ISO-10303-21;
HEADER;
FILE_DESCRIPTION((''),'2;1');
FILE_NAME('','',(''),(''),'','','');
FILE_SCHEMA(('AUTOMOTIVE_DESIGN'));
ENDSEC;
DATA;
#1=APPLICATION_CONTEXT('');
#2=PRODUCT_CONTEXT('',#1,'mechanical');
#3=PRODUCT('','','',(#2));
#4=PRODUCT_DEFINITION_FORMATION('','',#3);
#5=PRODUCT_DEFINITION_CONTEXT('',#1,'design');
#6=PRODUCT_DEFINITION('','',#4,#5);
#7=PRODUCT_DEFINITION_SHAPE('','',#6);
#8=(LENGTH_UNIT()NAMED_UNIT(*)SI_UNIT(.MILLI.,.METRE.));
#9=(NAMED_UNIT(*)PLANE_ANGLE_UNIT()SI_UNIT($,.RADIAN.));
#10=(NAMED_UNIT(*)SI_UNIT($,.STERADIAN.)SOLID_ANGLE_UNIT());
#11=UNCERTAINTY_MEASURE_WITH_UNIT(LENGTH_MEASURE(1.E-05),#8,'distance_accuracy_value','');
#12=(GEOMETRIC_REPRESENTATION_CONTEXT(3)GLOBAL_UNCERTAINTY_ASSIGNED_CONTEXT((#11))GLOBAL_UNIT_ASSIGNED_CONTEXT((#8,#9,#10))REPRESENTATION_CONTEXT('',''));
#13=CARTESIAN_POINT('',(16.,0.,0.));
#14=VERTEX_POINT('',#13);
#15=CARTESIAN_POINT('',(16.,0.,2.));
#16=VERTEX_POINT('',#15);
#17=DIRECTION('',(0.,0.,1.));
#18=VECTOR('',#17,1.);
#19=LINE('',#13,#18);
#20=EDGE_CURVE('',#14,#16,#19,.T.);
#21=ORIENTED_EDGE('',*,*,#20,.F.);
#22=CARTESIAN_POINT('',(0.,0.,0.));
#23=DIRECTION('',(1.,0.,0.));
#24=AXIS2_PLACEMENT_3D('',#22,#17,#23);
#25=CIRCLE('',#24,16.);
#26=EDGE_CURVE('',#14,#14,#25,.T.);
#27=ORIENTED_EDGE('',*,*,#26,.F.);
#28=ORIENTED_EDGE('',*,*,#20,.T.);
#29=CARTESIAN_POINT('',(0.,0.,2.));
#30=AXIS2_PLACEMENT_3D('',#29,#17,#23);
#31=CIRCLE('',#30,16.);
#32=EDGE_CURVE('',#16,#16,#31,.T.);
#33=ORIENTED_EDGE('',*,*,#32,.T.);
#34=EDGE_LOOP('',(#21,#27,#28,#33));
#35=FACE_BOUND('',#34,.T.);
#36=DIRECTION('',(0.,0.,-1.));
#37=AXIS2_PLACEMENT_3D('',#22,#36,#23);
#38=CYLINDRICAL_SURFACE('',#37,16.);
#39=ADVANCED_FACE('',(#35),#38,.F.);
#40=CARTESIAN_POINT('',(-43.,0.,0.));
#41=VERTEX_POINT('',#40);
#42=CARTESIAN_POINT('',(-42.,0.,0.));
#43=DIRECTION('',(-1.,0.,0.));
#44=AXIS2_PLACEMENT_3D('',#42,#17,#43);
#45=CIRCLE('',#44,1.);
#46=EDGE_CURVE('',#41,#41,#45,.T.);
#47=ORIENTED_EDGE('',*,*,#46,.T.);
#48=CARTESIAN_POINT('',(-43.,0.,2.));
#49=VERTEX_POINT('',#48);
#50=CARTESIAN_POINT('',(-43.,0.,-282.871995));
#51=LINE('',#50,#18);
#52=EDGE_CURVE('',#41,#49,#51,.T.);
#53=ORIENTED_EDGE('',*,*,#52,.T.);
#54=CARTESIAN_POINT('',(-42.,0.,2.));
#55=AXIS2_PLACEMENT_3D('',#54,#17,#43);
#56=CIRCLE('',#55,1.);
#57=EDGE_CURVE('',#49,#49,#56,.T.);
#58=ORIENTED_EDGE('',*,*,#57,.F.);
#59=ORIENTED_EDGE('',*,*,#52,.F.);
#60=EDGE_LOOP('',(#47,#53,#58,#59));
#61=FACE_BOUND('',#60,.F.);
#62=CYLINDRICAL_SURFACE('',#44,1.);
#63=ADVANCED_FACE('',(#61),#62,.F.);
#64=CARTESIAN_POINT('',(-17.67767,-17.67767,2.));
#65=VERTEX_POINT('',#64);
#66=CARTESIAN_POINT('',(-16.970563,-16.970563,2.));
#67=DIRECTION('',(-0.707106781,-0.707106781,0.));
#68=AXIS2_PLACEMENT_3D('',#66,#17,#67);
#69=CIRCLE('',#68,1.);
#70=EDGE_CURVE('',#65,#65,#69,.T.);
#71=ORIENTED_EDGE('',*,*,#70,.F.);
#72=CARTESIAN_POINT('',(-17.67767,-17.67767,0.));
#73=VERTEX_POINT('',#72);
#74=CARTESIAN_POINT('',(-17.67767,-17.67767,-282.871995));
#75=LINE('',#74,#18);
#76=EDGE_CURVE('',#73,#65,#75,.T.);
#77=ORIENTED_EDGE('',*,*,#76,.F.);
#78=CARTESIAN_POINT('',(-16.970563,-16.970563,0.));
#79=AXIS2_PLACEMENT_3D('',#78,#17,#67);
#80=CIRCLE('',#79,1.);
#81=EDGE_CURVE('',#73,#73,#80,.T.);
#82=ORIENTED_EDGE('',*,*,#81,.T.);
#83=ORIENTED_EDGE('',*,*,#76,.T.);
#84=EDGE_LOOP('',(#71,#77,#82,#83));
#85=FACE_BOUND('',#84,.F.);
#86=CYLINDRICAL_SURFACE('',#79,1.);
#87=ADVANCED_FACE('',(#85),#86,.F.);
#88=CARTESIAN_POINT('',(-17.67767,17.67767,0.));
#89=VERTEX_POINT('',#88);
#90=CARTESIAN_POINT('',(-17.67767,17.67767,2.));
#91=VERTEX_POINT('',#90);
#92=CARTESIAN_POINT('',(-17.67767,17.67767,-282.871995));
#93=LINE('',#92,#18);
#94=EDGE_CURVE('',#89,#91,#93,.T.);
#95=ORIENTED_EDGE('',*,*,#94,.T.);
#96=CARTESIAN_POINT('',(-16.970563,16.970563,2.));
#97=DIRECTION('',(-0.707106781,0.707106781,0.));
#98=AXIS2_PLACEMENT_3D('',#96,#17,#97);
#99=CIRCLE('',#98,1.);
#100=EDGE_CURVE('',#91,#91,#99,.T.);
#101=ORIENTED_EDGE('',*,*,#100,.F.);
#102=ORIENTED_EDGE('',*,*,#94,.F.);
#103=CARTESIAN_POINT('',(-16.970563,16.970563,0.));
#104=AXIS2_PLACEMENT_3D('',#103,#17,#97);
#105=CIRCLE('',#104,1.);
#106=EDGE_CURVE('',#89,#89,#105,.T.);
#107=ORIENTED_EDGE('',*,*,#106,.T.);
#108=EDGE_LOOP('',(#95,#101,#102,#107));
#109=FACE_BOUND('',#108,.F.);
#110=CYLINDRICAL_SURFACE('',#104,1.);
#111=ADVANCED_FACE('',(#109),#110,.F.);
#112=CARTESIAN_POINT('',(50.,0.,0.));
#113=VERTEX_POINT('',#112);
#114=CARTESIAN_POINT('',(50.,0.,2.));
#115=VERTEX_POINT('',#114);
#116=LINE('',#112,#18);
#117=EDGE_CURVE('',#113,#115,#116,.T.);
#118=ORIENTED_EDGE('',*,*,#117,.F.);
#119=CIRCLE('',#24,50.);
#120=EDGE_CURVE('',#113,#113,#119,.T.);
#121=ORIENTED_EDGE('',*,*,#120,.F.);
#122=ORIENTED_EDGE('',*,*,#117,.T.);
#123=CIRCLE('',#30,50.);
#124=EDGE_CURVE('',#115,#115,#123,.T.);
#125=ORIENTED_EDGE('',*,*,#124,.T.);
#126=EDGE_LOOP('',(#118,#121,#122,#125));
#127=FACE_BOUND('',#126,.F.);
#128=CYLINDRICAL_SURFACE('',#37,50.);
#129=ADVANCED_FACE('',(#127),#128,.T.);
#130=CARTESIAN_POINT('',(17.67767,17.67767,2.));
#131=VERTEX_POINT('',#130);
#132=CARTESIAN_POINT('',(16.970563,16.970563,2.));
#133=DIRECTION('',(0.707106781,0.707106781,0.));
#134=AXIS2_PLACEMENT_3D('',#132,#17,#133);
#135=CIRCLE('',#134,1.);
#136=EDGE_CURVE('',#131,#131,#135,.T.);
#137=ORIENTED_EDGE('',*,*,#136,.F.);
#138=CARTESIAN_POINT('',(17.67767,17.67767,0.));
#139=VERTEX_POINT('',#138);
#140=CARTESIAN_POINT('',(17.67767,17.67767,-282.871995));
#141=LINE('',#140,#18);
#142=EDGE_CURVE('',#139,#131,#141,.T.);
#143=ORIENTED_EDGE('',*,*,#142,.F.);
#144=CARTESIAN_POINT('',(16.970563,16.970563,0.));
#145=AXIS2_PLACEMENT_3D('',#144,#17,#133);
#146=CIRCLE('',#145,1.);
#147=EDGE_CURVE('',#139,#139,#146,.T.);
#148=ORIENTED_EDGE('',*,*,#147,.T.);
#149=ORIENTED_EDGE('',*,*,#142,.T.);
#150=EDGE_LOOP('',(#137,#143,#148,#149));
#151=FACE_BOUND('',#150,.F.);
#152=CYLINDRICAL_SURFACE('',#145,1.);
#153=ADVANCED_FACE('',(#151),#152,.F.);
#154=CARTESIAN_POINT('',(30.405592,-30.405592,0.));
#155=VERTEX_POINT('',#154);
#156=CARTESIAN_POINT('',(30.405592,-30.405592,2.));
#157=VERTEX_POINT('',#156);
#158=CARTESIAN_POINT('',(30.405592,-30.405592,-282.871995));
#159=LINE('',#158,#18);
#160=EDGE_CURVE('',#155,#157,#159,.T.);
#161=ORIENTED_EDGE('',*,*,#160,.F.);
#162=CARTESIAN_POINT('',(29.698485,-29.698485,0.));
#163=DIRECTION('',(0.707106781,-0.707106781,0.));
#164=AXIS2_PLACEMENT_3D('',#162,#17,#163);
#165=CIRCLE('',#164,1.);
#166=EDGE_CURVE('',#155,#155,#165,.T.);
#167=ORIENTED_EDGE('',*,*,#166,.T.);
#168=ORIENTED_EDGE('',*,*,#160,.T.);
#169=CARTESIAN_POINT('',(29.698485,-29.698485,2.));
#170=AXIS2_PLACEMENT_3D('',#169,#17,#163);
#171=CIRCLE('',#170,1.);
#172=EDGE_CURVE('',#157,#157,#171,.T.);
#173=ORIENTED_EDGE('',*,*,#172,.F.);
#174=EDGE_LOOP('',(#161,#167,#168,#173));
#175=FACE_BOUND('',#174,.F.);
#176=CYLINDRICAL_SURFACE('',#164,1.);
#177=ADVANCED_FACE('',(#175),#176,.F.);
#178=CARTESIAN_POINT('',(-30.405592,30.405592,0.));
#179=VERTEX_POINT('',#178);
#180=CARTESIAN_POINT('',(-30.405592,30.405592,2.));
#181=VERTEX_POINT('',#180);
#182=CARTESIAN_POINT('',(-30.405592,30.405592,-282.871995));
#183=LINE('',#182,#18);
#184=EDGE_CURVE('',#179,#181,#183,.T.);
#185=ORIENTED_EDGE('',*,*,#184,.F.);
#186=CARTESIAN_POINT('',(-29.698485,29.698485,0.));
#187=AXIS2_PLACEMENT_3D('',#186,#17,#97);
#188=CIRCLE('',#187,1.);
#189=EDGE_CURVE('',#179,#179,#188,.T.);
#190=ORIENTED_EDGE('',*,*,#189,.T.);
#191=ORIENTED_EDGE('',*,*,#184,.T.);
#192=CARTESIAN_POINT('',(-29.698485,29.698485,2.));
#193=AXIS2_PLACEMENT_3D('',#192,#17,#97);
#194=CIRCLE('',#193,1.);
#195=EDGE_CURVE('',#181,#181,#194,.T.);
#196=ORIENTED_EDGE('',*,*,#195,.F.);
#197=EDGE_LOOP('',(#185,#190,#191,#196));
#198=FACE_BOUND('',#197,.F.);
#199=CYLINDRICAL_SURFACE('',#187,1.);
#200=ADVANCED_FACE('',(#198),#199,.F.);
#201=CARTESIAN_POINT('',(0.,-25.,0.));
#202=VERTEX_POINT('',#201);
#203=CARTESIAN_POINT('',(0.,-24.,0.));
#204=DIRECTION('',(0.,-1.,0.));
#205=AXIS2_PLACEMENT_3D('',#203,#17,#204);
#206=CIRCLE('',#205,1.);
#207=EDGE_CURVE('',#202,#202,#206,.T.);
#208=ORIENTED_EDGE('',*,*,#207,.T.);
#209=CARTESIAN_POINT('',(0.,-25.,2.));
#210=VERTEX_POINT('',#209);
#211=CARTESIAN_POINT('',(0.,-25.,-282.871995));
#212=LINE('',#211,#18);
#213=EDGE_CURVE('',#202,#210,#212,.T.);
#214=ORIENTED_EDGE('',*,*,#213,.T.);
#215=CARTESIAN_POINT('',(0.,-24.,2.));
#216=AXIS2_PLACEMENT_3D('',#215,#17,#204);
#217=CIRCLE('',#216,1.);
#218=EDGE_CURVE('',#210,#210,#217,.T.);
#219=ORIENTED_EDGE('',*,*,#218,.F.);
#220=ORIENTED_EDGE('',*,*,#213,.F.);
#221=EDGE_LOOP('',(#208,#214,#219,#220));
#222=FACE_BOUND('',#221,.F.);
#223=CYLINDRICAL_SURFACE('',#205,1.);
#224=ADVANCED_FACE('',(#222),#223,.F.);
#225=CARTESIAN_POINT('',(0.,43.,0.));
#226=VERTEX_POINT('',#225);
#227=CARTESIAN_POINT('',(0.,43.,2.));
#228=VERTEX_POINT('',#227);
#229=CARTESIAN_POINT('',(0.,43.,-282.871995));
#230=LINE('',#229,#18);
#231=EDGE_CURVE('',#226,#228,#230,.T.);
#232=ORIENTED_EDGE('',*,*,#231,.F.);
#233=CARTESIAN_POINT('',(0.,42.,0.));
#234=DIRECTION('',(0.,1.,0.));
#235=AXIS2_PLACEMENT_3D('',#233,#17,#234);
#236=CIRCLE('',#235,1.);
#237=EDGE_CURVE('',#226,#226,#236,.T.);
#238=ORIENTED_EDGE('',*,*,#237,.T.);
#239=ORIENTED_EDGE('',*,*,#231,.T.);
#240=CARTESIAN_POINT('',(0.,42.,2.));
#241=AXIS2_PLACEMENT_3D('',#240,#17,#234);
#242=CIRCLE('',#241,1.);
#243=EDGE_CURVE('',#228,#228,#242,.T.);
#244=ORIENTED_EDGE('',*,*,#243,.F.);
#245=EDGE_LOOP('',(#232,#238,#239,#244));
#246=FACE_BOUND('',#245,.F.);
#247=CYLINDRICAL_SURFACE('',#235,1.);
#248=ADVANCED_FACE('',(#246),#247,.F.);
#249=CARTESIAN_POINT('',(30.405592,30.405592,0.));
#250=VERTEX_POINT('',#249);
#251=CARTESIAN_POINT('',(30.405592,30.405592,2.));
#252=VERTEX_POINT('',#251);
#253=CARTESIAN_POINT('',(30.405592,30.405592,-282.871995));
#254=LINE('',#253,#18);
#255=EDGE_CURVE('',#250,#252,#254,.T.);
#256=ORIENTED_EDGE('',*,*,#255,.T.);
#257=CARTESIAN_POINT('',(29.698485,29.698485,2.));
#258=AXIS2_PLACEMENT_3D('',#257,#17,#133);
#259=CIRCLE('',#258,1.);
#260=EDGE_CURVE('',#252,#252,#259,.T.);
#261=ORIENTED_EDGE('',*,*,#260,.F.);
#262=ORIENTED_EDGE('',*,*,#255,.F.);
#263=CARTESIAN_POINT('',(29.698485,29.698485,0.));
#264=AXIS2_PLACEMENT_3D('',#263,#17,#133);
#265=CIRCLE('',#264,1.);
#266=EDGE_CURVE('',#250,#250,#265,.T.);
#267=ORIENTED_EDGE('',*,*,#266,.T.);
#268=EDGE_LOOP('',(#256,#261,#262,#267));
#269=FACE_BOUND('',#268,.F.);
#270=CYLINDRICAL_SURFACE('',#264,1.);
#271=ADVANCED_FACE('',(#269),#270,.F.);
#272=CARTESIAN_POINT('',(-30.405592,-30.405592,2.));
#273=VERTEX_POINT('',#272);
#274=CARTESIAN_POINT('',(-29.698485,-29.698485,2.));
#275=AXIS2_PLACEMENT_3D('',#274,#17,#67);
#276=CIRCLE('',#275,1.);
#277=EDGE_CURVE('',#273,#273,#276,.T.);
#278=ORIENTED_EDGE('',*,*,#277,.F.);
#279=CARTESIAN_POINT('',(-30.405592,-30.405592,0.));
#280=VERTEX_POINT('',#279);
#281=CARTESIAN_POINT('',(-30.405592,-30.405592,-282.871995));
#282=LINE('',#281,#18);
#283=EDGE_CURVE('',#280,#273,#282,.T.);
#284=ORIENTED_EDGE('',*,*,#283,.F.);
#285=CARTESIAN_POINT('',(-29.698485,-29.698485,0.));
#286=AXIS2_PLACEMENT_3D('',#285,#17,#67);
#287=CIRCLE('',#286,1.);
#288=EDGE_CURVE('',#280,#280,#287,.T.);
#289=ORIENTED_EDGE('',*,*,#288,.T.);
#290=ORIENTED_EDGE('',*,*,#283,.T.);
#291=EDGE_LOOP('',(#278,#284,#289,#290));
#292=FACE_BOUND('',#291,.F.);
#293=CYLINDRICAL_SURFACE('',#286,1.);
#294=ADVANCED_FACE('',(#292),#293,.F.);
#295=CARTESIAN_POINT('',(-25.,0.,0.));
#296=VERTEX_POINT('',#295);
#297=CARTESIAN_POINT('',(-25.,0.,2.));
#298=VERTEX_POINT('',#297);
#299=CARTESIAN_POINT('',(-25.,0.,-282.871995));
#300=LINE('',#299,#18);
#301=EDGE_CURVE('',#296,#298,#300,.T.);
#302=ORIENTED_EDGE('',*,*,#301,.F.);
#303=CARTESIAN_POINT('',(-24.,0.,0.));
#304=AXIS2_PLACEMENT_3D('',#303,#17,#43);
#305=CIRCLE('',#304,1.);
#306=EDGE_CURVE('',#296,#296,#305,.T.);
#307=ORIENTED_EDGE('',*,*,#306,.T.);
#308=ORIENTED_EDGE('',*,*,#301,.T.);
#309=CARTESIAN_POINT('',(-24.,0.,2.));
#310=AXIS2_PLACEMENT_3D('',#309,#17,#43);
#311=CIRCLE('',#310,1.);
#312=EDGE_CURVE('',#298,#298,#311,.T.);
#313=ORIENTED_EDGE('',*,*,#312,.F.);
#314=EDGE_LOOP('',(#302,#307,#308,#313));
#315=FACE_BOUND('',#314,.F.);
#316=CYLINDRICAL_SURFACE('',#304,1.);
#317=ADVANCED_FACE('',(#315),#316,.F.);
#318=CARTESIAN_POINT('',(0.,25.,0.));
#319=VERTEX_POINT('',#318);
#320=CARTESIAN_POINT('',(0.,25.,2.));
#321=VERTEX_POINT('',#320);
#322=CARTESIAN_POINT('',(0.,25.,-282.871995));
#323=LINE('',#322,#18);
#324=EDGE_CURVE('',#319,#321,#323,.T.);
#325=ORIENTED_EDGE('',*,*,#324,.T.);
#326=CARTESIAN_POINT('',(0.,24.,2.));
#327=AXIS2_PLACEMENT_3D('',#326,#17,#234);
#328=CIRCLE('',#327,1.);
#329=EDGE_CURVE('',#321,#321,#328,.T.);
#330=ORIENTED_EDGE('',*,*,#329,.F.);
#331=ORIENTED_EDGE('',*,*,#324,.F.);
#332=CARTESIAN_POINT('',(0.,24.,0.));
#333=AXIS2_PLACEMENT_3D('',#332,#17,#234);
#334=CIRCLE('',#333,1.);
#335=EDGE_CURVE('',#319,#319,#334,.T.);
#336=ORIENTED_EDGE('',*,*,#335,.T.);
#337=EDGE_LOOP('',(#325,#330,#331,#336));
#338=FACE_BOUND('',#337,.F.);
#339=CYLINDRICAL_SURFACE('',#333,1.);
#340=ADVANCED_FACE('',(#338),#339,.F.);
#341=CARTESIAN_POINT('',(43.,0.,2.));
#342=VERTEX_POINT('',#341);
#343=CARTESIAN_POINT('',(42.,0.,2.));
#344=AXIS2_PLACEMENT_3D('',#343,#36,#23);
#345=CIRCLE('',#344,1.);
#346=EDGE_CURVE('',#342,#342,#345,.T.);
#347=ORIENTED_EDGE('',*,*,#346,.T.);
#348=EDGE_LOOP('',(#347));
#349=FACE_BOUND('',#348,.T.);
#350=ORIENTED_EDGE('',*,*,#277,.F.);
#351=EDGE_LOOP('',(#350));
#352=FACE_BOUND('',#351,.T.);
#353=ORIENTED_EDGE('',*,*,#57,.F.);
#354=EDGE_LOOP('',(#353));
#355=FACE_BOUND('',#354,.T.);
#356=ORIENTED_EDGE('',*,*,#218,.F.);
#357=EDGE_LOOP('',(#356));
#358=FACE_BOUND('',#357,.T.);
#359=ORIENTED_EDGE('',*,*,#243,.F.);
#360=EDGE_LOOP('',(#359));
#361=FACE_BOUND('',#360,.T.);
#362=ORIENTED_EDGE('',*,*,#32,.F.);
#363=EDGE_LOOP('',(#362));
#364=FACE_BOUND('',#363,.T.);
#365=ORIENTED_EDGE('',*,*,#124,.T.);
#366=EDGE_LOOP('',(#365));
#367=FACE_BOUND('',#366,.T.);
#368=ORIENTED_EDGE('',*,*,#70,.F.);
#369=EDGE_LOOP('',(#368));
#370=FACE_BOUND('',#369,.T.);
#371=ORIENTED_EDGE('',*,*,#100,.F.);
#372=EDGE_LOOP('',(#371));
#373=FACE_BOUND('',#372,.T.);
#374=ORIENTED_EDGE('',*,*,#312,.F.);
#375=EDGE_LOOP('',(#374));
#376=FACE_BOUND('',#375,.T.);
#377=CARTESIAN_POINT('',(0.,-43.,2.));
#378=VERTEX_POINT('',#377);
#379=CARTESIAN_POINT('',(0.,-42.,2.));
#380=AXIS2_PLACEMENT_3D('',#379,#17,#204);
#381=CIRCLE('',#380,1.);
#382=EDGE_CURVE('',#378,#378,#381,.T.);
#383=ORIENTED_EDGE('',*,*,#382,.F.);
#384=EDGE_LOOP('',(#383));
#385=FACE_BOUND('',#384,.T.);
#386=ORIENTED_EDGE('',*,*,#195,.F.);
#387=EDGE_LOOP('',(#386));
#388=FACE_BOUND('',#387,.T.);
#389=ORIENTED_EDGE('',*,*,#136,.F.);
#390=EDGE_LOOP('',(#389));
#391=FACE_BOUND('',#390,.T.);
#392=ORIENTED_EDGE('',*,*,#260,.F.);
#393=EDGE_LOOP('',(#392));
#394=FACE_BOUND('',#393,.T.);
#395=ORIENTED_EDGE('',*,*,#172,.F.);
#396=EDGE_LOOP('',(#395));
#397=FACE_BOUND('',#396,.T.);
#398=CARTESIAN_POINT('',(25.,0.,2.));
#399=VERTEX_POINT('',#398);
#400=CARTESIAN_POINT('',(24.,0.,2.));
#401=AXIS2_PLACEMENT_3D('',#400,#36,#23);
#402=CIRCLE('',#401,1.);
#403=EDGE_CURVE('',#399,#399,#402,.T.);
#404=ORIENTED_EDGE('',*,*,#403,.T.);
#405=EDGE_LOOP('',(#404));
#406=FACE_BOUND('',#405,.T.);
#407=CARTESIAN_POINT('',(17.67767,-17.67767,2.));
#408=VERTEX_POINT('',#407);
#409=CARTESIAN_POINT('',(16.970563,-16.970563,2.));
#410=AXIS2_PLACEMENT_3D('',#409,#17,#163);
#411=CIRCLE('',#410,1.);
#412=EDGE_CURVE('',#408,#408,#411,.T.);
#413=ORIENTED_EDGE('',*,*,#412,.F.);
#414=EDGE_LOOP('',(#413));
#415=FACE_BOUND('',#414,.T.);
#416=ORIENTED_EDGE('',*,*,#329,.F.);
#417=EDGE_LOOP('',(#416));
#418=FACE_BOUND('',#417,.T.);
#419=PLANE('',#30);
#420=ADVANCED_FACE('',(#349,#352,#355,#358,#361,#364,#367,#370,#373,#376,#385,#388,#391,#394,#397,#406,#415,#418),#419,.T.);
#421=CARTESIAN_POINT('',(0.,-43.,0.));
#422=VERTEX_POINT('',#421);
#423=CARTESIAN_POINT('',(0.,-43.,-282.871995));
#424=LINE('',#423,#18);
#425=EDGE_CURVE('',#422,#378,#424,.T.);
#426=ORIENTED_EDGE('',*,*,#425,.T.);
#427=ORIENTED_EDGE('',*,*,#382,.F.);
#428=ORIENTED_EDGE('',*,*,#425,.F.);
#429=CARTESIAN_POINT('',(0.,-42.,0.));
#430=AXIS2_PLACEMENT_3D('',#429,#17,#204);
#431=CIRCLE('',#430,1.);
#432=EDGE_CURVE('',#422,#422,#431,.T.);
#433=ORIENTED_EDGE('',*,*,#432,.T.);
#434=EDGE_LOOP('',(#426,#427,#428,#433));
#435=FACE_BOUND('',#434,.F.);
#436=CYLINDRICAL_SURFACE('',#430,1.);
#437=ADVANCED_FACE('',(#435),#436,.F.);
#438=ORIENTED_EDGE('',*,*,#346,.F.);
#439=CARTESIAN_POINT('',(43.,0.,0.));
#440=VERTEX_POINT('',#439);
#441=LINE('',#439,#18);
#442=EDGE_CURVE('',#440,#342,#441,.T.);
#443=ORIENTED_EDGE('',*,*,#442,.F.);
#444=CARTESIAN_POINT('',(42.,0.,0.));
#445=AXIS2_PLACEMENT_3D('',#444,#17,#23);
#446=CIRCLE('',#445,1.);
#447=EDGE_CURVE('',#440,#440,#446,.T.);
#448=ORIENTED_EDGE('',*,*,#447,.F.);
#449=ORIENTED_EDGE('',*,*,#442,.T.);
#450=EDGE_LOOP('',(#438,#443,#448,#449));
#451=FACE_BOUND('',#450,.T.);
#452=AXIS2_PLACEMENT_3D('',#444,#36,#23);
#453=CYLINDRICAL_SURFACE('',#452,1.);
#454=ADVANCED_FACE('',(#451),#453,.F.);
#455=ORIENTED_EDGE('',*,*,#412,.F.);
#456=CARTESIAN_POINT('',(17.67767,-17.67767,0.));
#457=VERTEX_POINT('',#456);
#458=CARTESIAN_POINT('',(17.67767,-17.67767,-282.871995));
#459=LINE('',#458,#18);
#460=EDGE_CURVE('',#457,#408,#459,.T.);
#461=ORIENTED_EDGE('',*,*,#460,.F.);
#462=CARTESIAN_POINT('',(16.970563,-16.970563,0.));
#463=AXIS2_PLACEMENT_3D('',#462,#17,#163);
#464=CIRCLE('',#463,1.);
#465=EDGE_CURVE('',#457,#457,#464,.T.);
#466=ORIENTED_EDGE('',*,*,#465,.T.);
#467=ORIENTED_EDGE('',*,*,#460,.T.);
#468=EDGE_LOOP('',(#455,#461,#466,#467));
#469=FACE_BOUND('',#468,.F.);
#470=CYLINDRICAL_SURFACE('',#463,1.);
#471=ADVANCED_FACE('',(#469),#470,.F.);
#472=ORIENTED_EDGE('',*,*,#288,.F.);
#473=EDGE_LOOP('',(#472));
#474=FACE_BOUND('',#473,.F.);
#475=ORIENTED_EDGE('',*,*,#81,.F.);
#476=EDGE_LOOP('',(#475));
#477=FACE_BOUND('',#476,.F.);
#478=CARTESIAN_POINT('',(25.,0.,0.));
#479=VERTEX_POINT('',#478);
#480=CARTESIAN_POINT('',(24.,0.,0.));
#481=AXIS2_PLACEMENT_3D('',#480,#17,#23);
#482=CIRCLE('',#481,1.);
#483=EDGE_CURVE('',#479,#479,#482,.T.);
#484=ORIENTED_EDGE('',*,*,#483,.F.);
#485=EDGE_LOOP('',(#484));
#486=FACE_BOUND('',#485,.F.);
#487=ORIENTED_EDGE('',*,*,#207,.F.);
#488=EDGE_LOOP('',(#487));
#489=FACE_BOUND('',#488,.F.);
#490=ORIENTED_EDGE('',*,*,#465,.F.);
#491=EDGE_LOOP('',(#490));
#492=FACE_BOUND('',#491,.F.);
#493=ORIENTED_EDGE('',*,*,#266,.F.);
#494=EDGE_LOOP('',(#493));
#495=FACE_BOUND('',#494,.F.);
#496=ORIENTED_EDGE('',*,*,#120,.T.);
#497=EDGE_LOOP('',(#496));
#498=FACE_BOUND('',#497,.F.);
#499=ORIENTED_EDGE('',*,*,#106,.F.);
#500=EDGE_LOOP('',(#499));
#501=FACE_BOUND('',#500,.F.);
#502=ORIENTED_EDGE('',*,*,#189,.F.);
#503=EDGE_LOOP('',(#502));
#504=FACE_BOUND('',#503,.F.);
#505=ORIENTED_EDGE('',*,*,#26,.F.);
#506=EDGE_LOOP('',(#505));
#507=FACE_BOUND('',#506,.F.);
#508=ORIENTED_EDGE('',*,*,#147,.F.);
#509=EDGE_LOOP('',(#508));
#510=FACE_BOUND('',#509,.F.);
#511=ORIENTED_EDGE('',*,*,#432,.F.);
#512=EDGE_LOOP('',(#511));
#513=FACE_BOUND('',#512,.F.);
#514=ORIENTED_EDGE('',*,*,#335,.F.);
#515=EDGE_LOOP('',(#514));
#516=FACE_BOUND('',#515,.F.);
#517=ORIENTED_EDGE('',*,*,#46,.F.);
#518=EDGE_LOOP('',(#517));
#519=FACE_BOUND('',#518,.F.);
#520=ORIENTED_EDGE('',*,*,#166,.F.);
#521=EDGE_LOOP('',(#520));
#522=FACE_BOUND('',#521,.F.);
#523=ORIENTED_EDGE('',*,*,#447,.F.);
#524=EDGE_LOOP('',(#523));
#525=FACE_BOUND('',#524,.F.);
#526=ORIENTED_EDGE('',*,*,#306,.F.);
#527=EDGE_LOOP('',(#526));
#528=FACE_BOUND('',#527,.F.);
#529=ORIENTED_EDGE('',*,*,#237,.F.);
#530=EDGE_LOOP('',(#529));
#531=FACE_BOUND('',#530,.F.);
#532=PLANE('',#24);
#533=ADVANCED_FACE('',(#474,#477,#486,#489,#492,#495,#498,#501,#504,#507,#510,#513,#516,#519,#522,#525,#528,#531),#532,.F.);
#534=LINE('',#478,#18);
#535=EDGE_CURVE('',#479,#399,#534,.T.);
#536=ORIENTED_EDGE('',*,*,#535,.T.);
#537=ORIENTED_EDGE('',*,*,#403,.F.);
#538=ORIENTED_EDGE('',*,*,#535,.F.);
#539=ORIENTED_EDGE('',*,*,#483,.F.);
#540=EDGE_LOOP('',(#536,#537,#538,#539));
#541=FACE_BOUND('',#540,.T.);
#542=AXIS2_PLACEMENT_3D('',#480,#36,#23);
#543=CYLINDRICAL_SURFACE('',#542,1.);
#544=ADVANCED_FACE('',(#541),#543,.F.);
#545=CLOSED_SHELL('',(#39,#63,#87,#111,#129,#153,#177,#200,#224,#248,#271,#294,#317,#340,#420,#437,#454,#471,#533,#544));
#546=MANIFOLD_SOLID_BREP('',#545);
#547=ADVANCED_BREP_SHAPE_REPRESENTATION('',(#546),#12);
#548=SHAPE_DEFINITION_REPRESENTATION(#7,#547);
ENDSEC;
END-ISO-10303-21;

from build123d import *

# Parameters (mm, degrees)
SKETCH_R           = 50
SKETCH_R_2         = 16
PAD_DEPTH          = 2
SKETCH001_R        = 1
POCKET_DEPTH       = 282.871995
POCKET_DEPTH_BACK  = 284.871995
POLARPATTERN_COUNT = 8


with BuildPart() as part:
    # Sketch → Pad (new body)
    with BuildSketch(Plane.XY):
        Circle(SKETCH_R)
        Circle(SKETCH_R_2, mode=Mode.SUBTRACT)
    extrude(amount=PAD_DEPTH)

    # Sketch001 → Pocket (cut, two sides)
    with BuildSketch(Plane.XY) as pocket_sk:
        with Locations((24, 0)):
            Circle(SKETCH001_R)
        with Locations((42, 0)):
            Circle(SKETCH001_R)
    pocket = extrude(amount=-POCKET_DEPTH, mode=Mode.SUBTRACT) + extrude(pocket_sk.sketch, amount=POCKET_DEPTH_BACK, mode=Mode.SUBTRACT)

    # PolarPattern: Pocket ×8 about axis
    polarpattern_axis = Axis((0, 0, 0), (0, 0, 1))
    for i in range(1, POLARPATTERN_COUNT):
        add(pocket.rotate(polarpattern_axis, i * 360 / POLARPATTERN_COUNT), mode=Mode.SUBTRACT)


solid = part.part
